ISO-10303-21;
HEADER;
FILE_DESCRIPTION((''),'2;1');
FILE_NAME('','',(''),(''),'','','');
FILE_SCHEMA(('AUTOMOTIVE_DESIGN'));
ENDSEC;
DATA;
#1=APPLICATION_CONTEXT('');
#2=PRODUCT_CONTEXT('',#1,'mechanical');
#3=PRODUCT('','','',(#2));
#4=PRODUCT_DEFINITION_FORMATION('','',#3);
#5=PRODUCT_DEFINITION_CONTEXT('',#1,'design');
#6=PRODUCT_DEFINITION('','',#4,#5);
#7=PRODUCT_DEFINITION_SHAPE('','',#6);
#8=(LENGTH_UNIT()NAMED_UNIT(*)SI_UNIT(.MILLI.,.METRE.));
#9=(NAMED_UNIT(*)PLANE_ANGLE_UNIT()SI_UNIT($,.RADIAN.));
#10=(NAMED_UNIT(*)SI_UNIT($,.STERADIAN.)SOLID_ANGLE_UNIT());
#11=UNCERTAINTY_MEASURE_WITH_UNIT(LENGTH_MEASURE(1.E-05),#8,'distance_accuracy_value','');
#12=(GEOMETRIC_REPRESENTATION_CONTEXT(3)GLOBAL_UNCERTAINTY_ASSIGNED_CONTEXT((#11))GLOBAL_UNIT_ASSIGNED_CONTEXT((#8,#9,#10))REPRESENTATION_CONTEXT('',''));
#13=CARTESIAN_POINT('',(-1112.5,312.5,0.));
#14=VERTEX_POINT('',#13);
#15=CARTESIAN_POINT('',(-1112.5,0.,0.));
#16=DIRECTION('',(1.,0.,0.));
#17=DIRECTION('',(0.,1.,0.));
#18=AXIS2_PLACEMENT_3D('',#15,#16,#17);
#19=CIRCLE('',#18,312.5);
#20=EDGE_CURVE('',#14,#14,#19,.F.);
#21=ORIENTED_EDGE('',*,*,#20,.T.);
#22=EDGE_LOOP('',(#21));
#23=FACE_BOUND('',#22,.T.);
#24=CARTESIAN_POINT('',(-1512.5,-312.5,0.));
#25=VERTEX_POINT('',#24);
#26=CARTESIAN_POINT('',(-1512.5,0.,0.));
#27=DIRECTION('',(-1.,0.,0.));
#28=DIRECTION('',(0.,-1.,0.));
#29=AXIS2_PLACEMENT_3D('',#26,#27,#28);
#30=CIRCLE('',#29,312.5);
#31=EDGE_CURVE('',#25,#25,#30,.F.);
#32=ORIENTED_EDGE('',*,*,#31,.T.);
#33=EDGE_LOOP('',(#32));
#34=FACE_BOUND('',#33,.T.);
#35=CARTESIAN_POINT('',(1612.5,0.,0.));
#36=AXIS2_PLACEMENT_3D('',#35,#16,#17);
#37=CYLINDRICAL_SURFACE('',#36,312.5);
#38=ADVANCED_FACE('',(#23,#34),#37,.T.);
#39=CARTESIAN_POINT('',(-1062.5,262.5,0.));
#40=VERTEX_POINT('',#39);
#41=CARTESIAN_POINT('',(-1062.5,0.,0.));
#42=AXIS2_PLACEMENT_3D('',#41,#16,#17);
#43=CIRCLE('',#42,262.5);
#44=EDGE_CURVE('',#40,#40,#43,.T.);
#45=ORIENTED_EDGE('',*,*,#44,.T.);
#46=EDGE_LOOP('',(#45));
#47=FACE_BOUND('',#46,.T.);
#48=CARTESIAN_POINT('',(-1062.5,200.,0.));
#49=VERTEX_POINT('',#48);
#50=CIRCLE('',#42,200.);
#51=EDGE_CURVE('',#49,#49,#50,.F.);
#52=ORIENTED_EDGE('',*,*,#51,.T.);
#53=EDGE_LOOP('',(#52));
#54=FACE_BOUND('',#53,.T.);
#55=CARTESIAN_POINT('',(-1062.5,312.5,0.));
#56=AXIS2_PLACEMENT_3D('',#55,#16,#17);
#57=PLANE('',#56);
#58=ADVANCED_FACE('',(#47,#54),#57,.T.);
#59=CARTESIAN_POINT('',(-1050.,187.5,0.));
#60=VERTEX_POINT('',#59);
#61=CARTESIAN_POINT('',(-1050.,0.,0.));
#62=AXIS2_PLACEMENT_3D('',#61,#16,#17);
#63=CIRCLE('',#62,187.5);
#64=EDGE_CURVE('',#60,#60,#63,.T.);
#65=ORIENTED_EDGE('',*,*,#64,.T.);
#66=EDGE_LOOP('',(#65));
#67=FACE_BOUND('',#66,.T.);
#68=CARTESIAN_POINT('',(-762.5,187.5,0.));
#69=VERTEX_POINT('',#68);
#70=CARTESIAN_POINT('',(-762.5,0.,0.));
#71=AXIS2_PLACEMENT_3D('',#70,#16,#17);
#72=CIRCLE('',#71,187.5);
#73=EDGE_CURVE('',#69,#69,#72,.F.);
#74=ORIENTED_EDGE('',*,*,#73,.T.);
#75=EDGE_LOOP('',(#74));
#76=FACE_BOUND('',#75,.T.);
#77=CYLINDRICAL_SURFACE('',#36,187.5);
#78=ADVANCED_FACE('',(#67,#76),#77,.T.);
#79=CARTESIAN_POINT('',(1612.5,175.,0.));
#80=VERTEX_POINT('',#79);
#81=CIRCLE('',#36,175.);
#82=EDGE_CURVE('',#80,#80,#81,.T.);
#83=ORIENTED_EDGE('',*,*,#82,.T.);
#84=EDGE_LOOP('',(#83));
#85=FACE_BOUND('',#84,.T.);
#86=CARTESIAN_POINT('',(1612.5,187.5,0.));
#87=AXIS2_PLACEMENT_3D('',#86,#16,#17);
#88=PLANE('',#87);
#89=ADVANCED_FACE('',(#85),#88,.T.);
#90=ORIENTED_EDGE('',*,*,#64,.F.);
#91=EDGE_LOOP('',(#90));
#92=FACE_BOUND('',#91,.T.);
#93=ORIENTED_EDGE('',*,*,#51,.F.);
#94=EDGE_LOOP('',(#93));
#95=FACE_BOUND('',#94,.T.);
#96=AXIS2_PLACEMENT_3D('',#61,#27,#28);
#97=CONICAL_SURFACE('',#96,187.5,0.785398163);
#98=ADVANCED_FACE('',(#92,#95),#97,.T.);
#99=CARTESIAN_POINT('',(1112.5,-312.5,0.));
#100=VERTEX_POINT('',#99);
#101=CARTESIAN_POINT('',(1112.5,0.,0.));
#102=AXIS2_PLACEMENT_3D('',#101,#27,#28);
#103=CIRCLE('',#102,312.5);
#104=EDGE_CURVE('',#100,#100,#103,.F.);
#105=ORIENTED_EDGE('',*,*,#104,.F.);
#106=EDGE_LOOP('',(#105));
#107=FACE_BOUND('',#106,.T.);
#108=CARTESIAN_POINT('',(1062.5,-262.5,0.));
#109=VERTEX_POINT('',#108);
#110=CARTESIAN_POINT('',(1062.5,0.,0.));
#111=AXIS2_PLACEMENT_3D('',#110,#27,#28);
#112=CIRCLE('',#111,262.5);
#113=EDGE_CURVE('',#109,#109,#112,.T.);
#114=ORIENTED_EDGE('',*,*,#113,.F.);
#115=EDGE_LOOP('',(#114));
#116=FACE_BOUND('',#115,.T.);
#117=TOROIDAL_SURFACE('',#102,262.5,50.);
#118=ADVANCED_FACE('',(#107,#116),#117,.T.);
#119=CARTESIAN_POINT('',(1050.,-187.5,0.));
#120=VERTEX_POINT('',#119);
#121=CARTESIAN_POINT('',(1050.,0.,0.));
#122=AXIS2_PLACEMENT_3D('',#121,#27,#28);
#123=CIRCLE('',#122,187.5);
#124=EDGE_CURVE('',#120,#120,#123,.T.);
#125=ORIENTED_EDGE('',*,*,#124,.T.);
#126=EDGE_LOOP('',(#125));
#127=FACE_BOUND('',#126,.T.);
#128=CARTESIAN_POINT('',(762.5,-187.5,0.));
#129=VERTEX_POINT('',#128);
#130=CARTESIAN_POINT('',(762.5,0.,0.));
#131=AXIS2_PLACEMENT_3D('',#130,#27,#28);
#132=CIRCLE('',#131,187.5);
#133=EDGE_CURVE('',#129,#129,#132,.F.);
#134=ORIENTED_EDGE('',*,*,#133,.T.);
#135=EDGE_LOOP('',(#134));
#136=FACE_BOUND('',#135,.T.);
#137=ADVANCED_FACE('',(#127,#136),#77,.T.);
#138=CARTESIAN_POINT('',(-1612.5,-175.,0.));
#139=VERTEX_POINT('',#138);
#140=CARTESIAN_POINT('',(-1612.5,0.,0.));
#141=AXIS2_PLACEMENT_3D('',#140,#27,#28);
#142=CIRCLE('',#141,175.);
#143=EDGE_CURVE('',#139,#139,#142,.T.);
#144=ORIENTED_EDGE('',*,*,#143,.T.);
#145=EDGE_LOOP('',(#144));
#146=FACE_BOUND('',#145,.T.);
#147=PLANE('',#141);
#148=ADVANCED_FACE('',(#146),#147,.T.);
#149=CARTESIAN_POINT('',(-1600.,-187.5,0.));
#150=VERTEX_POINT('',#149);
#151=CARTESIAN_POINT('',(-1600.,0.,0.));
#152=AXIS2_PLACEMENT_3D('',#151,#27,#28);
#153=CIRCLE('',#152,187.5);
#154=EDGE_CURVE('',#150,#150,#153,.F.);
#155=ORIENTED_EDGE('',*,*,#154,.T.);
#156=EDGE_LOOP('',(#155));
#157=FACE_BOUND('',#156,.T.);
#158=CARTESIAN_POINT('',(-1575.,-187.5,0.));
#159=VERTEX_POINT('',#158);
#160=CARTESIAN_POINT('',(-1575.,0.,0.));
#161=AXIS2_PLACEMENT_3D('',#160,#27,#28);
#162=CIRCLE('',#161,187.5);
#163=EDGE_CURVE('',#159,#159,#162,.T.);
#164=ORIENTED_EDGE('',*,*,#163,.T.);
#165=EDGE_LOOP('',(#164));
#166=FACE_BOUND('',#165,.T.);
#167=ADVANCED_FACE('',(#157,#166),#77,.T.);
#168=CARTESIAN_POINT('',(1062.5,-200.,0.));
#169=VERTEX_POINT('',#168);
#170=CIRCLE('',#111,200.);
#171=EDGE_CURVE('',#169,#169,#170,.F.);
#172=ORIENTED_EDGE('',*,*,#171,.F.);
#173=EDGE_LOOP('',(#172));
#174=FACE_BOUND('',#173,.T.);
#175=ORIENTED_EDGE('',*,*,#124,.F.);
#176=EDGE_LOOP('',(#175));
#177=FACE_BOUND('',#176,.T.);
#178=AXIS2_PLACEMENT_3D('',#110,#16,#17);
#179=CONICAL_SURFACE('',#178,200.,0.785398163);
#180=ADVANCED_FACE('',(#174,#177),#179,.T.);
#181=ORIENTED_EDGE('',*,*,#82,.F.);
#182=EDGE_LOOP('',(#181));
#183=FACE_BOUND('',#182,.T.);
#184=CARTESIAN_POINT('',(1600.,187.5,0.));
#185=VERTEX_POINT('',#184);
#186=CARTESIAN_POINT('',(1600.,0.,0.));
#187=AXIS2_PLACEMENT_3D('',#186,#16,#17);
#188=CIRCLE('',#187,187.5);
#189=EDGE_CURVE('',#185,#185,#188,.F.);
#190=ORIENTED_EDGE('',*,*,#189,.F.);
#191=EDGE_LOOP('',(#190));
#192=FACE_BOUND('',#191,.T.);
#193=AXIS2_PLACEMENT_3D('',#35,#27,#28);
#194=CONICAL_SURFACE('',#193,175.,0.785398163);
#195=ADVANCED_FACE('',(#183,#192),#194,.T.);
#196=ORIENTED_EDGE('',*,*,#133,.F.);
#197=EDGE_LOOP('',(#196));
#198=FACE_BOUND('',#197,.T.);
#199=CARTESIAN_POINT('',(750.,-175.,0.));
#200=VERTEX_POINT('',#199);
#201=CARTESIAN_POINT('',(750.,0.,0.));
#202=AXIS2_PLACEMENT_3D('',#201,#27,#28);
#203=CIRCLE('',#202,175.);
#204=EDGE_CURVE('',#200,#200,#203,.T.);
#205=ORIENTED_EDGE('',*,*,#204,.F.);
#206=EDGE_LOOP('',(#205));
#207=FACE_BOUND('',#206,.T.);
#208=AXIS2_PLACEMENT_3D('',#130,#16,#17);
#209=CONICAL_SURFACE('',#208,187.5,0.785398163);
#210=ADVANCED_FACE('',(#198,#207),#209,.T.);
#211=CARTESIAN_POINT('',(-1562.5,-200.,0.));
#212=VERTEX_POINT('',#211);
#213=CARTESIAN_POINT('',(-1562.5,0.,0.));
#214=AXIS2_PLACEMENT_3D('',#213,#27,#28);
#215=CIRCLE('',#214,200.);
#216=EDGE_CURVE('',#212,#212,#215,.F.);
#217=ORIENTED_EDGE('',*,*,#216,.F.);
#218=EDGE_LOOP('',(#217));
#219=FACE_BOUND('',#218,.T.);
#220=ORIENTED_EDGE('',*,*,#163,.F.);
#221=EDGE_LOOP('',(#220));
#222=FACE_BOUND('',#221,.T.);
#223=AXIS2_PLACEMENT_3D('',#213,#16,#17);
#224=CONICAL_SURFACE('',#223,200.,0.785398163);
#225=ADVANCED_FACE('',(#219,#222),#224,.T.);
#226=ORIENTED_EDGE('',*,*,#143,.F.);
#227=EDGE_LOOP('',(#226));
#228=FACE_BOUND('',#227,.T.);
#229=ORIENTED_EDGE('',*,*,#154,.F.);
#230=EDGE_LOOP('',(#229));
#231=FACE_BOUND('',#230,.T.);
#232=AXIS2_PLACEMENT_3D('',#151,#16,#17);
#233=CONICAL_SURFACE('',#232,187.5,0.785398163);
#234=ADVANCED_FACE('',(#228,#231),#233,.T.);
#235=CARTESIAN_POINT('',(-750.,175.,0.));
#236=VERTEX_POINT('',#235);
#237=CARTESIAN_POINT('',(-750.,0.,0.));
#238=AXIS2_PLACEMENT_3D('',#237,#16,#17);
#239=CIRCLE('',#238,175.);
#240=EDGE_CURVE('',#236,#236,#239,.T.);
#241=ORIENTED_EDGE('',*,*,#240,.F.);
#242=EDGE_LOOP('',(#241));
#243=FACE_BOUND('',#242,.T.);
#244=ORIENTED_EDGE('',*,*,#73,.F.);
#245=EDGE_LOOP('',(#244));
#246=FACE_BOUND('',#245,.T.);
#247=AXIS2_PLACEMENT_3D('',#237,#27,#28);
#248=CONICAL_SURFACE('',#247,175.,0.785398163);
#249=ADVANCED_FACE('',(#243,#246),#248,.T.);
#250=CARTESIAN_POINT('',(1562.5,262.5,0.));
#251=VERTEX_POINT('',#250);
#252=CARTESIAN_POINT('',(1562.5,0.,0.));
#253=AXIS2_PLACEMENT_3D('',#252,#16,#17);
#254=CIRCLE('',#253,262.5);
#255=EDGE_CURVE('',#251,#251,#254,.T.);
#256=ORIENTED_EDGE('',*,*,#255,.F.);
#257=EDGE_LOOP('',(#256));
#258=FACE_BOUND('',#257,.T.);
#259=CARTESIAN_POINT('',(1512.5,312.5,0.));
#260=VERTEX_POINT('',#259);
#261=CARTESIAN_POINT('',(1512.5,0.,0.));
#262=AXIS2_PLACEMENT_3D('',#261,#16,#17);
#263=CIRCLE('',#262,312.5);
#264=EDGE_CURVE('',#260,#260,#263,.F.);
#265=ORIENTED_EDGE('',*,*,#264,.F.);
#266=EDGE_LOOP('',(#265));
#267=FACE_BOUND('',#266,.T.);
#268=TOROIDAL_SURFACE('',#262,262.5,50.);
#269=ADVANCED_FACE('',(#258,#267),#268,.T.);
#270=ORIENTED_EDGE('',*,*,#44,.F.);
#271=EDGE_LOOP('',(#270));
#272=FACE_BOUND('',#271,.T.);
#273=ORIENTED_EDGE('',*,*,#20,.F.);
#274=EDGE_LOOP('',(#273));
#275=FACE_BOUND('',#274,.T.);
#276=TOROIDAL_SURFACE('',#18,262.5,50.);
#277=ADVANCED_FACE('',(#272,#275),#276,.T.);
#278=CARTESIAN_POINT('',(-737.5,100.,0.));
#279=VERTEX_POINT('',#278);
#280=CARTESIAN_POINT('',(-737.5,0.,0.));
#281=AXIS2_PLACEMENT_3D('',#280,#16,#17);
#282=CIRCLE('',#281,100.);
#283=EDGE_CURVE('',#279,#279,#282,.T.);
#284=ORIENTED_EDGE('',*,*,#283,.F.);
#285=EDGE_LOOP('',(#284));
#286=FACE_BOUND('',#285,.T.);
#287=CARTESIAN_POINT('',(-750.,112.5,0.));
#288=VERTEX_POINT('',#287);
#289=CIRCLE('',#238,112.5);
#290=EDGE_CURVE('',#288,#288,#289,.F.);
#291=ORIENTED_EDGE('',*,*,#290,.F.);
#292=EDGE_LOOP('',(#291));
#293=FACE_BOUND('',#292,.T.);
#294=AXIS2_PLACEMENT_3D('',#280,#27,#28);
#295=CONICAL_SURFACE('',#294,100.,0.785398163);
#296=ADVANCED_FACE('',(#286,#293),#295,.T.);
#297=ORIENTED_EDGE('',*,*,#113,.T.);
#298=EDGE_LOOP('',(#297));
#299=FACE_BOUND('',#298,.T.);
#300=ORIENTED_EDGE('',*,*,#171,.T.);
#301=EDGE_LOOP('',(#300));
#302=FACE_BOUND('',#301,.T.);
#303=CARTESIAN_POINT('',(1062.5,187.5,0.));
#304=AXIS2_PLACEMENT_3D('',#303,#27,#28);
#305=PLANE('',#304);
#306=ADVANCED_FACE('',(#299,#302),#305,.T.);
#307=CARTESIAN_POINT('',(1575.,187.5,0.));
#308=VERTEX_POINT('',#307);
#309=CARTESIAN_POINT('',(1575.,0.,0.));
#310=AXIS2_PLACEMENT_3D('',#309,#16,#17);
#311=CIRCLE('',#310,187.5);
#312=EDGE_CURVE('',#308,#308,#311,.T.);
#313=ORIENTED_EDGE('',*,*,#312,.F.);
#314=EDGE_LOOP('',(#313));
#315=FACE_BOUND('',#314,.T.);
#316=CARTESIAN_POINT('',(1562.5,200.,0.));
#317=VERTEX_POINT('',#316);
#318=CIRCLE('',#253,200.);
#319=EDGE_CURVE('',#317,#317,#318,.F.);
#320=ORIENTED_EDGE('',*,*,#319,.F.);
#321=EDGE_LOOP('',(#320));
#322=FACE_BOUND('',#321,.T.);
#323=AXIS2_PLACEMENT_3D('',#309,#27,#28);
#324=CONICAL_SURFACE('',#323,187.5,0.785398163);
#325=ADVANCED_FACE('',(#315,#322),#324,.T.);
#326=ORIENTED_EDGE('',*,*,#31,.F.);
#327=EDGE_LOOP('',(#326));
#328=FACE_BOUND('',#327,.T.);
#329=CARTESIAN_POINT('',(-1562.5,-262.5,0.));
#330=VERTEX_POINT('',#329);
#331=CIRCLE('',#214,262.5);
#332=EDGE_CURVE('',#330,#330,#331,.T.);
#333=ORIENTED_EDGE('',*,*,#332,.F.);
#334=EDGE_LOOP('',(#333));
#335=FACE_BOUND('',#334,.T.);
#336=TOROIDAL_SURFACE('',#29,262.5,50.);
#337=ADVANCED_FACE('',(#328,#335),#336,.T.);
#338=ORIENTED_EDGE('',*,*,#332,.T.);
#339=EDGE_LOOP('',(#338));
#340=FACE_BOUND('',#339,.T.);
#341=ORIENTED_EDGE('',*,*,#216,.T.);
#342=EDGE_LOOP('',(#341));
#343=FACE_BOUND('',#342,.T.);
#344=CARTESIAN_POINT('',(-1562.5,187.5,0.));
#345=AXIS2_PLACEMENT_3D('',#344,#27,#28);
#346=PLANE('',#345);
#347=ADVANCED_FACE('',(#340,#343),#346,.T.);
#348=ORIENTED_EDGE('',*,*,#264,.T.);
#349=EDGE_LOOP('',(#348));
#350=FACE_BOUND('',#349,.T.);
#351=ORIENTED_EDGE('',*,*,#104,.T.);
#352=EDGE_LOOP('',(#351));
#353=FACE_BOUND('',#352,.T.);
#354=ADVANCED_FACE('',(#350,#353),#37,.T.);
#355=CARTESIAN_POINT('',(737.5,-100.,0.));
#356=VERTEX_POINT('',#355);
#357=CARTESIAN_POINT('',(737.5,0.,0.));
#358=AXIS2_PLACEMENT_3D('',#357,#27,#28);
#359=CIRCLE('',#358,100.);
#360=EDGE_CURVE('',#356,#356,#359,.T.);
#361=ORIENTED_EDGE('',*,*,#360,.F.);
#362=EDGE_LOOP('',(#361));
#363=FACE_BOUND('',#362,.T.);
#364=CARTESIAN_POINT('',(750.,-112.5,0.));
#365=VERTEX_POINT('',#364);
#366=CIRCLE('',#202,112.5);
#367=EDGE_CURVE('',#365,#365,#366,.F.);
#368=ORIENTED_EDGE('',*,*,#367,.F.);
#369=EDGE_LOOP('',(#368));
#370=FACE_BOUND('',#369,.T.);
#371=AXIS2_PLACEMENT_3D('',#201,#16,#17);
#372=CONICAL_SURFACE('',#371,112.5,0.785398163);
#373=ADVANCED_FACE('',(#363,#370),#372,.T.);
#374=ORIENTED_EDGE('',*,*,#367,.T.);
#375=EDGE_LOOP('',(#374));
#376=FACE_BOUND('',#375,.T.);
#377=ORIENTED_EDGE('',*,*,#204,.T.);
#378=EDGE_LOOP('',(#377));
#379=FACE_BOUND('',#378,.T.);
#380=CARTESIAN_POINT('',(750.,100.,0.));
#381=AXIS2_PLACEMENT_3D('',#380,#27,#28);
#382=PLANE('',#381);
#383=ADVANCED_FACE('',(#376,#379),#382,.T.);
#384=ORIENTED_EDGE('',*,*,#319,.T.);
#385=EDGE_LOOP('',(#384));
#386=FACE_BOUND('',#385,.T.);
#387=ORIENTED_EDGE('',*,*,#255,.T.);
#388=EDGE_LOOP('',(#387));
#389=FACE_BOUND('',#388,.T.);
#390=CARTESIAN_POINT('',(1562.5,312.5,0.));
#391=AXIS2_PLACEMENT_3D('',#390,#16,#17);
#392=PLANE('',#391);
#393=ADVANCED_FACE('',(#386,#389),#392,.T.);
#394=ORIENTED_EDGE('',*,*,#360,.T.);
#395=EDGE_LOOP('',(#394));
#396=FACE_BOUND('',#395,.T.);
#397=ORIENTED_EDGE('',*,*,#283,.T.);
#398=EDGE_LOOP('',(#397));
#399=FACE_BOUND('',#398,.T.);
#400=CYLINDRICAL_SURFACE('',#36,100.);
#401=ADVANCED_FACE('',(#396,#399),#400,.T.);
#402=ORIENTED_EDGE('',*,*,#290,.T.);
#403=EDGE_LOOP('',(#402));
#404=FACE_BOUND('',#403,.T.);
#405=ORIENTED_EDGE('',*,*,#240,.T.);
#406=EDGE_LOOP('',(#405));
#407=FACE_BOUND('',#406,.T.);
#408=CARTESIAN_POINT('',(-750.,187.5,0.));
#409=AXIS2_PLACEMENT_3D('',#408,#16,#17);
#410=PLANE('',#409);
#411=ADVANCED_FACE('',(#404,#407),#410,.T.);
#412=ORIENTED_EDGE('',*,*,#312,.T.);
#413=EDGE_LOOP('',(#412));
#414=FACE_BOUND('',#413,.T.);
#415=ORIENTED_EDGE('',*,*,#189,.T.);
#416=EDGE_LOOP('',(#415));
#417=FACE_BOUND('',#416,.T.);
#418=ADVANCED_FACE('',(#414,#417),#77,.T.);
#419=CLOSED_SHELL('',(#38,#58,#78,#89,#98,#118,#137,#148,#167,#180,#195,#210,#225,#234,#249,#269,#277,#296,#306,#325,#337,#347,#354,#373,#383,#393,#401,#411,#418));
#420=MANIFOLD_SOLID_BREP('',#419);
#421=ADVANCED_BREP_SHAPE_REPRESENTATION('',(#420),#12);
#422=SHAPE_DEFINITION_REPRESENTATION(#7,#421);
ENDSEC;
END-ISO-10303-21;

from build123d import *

# Parameters (mm, degrees)
CHAMFER1_SIZE = 12.5
FILLET1_R     = 50


with BuildPart() as part:
    # Sketch1 → Revolve1 (revolve)
    with BuildSketch(Plane.XY):
        Polygon((1612.5, 0), (-1612.5, 0), (-1612.5, 187.5), (-1562.5, 187.5), (-1562.5, 312.5), (-1062.5, 312.5), (-1062.5, 187.5), (-750, 187.5), (-750, 100), (750, 100), (750, 187.5), (1062.5, 187.5), (1062.5, 312.5), (1562.5, 312.5), (1562.5, 187.5), (1612.5, 187.5), align=None)
    revolve(axis=Axis((1612.5, 0, 0), (-1, 0, 0)))

    # Chamfer1
    chamfer1_edges = [part.edges().sort_by_distance(p)[0] for p in [
        (-1562.5, -187.5, 0),
        (-1612.5, -187.5, 0),
        (1612.5, -187.5, 0),
        (1562.5, -187.5, 0),
        (1062.5, -187.5, 0),
        (750, -187.5, 0),
        (750, -100, 0),
        (-750, -100, 0),
        (-750, -187.5, 0),
        (-1062.5, -187.5, 0),
    ]]
    chamfer(chamfer1_edges, length=CHAMFER1_SIZE)

    # Fillet1
    fillet1_edges = [part.edges().sort_by_distance(p)[0] for p in [
        (-1562.5, -312.5, 0),
        (1562.5, -312.5, 0),
        (1062.5, -312.5, 0),
        (-1062.5, -312.5, 0),
    ]]
    fillet(fillet1_edges, radius=FILLET1_R)


solid = part.part
